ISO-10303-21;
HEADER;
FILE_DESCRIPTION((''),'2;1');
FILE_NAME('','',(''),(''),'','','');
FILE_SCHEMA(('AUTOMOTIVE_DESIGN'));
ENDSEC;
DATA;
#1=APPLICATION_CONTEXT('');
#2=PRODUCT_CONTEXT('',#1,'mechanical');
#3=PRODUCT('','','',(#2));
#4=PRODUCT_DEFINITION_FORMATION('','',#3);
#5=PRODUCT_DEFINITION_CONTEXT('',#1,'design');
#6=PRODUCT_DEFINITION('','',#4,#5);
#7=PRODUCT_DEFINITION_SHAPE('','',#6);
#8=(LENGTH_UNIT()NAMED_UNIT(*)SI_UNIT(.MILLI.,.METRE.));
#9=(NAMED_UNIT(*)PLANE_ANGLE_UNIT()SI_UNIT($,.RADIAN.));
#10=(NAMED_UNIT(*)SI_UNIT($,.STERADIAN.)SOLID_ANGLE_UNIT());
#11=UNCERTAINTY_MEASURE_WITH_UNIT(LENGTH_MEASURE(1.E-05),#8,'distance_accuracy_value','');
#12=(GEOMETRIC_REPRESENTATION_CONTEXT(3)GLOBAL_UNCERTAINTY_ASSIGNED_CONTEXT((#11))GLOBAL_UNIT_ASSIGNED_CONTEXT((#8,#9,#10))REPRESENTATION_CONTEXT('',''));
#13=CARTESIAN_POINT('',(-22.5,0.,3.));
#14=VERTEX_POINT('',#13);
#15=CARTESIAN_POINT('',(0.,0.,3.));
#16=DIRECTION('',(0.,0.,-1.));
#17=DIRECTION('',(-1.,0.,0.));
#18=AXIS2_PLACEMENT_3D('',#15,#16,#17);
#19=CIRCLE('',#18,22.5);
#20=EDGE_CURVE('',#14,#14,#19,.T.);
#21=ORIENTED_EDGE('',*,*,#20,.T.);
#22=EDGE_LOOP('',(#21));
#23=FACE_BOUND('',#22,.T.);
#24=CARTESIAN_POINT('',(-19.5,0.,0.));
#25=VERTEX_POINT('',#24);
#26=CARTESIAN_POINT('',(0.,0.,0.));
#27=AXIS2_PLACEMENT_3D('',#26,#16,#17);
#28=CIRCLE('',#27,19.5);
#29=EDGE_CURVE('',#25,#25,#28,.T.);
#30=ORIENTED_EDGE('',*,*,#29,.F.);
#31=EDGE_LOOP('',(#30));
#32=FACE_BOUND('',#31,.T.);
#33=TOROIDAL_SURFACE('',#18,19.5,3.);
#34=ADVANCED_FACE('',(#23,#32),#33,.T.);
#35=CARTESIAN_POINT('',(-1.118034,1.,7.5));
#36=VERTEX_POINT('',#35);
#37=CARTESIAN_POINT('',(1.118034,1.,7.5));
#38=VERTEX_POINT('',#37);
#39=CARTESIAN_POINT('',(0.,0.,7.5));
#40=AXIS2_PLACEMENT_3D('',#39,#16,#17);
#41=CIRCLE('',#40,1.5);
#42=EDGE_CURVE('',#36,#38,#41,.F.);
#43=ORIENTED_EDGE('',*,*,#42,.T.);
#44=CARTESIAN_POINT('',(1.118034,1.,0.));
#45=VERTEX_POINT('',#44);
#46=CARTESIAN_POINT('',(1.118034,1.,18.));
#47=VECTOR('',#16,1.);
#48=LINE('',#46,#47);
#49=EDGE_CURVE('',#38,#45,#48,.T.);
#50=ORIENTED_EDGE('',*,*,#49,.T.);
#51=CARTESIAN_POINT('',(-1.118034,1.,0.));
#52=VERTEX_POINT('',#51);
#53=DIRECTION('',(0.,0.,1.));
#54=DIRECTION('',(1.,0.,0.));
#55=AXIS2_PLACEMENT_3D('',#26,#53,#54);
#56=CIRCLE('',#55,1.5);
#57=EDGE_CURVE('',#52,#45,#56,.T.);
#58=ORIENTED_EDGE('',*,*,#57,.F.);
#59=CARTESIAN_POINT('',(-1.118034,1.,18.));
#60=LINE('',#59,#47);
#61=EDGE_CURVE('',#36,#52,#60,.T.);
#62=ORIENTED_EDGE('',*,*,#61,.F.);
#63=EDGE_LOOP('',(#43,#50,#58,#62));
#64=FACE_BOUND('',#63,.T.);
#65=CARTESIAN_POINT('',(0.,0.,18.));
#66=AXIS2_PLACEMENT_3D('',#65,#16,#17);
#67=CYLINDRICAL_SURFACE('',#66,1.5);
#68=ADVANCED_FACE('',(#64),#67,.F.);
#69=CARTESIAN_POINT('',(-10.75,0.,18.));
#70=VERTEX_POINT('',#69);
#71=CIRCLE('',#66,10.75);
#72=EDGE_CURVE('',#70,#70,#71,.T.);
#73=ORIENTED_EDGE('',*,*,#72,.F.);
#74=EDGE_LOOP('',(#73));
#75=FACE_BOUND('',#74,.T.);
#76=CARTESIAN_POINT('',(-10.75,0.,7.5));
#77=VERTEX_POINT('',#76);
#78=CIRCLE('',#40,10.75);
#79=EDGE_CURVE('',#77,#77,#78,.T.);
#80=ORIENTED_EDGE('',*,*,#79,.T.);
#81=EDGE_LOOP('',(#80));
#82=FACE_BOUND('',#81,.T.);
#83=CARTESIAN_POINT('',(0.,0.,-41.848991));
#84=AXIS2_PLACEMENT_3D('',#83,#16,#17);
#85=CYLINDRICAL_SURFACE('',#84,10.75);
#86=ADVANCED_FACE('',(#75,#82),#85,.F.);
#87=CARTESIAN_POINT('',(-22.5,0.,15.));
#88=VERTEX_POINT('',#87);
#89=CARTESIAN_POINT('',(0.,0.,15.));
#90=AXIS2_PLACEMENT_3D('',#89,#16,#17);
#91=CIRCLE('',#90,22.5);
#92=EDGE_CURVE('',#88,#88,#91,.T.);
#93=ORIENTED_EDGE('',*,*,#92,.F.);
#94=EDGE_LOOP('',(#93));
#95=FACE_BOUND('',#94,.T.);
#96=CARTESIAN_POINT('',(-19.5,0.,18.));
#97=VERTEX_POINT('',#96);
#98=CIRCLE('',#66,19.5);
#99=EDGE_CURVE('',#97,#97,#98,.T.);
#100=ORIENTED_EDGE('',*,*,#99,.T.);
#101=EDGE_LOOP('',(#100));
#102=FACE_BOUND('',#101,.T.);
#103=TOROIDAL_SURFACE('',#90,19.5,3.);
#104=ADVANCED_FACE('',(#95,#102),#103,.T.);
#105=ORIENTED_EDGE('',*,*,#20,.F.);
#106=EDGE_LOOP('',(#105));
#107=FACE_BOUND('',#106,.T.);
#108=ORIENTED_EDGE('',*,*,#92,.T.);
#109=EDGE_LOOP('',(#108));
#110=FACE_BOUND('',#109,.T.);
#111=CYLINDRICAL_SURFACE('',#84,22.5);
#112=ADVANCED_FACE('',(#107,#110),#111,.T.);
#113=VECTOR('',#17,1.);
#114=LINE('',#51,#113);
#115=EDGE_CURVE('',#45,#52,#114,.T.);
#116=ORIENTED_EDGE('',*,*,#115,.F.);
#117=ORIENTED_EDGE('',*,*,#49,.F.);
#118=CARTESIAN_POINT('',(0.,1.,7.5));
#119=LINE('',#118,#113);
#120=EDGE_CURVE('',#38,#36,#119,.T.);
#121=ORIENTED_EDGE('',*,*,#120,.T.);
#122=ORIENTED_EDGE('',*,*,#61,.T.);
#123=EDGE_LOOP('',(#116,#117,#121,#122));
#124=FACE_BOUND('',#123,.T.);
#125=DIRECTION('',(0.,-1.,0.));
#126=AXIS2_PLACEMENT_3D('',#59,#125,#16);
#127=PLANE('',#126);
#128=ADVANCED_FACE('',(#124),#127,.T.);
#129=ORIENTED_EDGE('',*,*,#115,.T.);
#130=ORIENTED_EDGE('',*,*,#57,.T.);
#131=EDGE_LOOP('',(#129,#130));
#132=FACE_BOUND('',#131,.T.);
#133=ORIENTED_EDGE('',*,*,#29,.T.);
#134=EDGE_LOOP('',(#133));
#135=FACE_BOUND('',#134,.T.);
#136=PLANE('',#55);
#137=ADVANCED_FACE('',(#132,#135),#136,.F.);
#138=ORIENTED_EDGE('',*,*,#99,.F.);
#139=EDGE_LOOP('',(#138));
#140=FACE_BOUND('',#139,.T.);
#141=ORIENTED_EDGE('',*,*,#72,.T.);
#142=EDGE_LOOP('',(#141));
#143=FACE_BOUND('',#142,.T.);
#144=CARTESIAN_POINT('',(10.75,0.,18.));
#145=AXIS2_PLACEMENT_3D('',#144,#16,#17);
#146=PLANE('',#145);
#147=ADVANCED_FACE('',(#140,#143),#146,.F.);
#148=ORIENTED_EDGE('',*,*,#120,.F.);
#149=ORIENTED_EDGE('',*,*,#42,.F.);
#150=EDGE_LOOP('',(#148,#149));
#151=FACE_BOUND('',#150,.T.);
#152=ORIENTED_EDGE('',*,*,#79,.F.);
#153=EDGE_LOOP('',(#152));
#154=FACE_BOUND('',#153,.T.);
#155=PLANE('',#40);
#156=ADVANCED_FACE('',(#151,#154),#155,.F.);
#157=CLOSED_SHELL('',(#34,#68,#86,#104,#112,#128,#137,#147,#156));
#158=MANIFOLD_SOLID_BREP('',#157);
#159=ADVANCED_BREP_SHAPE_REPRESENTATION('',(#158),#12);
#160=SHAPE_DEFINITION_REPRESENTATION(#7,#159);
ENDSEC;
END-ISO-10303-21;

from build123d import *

# Parameters (mm, degrees)
CUT_EXTRUDE1_DEPTH = 37.558172882


with BuildPart() as part:
    # Sketch1 → Revolve1 (revolve)
    with BuildSketch(Plane(origin=(0, 0, 0), x_dir=(1, 0, 0), z_dir=(0, 1, 0))):
        with BuildLine():
            Line((0, 0), (19.5, 0))
            ThreePointArc((19.5, 0), (21.621320344, -0.878679656), (22.5, -3))
            Line((22.5, -3), (22.5, -15))
            ThreePointArc((22.5, -15), (21.621320344, -17.121320344), (19.5, -18))
            Line((19.5, -18), (10.75, -18))
            Line((10.75, -18), (10.75, -7.5))
            Line((10.75, -7.5), (0, -7.5))
            Line((0, -7.5), (0, 0))
        make_face()
    revolve(axis=Axis((0, 0, -41.848991251), (0, 0, 1)))

    # Sketch2 → Cut-Extrude1 (cut, through all)
    with BuildSketch(Plane.XY):
        with BuildLine():
            Line((-1.118033989, 1), (1.118033989, 1))
            ThreePointArc((1.118033989, 1), (0, -1.5), (-1.118033989, 1))
        make_face()
    extrude(amount=CUT_EXTRUDE1_DEPTH, mode=Mode.SUBTRACT)


solid = part.part
